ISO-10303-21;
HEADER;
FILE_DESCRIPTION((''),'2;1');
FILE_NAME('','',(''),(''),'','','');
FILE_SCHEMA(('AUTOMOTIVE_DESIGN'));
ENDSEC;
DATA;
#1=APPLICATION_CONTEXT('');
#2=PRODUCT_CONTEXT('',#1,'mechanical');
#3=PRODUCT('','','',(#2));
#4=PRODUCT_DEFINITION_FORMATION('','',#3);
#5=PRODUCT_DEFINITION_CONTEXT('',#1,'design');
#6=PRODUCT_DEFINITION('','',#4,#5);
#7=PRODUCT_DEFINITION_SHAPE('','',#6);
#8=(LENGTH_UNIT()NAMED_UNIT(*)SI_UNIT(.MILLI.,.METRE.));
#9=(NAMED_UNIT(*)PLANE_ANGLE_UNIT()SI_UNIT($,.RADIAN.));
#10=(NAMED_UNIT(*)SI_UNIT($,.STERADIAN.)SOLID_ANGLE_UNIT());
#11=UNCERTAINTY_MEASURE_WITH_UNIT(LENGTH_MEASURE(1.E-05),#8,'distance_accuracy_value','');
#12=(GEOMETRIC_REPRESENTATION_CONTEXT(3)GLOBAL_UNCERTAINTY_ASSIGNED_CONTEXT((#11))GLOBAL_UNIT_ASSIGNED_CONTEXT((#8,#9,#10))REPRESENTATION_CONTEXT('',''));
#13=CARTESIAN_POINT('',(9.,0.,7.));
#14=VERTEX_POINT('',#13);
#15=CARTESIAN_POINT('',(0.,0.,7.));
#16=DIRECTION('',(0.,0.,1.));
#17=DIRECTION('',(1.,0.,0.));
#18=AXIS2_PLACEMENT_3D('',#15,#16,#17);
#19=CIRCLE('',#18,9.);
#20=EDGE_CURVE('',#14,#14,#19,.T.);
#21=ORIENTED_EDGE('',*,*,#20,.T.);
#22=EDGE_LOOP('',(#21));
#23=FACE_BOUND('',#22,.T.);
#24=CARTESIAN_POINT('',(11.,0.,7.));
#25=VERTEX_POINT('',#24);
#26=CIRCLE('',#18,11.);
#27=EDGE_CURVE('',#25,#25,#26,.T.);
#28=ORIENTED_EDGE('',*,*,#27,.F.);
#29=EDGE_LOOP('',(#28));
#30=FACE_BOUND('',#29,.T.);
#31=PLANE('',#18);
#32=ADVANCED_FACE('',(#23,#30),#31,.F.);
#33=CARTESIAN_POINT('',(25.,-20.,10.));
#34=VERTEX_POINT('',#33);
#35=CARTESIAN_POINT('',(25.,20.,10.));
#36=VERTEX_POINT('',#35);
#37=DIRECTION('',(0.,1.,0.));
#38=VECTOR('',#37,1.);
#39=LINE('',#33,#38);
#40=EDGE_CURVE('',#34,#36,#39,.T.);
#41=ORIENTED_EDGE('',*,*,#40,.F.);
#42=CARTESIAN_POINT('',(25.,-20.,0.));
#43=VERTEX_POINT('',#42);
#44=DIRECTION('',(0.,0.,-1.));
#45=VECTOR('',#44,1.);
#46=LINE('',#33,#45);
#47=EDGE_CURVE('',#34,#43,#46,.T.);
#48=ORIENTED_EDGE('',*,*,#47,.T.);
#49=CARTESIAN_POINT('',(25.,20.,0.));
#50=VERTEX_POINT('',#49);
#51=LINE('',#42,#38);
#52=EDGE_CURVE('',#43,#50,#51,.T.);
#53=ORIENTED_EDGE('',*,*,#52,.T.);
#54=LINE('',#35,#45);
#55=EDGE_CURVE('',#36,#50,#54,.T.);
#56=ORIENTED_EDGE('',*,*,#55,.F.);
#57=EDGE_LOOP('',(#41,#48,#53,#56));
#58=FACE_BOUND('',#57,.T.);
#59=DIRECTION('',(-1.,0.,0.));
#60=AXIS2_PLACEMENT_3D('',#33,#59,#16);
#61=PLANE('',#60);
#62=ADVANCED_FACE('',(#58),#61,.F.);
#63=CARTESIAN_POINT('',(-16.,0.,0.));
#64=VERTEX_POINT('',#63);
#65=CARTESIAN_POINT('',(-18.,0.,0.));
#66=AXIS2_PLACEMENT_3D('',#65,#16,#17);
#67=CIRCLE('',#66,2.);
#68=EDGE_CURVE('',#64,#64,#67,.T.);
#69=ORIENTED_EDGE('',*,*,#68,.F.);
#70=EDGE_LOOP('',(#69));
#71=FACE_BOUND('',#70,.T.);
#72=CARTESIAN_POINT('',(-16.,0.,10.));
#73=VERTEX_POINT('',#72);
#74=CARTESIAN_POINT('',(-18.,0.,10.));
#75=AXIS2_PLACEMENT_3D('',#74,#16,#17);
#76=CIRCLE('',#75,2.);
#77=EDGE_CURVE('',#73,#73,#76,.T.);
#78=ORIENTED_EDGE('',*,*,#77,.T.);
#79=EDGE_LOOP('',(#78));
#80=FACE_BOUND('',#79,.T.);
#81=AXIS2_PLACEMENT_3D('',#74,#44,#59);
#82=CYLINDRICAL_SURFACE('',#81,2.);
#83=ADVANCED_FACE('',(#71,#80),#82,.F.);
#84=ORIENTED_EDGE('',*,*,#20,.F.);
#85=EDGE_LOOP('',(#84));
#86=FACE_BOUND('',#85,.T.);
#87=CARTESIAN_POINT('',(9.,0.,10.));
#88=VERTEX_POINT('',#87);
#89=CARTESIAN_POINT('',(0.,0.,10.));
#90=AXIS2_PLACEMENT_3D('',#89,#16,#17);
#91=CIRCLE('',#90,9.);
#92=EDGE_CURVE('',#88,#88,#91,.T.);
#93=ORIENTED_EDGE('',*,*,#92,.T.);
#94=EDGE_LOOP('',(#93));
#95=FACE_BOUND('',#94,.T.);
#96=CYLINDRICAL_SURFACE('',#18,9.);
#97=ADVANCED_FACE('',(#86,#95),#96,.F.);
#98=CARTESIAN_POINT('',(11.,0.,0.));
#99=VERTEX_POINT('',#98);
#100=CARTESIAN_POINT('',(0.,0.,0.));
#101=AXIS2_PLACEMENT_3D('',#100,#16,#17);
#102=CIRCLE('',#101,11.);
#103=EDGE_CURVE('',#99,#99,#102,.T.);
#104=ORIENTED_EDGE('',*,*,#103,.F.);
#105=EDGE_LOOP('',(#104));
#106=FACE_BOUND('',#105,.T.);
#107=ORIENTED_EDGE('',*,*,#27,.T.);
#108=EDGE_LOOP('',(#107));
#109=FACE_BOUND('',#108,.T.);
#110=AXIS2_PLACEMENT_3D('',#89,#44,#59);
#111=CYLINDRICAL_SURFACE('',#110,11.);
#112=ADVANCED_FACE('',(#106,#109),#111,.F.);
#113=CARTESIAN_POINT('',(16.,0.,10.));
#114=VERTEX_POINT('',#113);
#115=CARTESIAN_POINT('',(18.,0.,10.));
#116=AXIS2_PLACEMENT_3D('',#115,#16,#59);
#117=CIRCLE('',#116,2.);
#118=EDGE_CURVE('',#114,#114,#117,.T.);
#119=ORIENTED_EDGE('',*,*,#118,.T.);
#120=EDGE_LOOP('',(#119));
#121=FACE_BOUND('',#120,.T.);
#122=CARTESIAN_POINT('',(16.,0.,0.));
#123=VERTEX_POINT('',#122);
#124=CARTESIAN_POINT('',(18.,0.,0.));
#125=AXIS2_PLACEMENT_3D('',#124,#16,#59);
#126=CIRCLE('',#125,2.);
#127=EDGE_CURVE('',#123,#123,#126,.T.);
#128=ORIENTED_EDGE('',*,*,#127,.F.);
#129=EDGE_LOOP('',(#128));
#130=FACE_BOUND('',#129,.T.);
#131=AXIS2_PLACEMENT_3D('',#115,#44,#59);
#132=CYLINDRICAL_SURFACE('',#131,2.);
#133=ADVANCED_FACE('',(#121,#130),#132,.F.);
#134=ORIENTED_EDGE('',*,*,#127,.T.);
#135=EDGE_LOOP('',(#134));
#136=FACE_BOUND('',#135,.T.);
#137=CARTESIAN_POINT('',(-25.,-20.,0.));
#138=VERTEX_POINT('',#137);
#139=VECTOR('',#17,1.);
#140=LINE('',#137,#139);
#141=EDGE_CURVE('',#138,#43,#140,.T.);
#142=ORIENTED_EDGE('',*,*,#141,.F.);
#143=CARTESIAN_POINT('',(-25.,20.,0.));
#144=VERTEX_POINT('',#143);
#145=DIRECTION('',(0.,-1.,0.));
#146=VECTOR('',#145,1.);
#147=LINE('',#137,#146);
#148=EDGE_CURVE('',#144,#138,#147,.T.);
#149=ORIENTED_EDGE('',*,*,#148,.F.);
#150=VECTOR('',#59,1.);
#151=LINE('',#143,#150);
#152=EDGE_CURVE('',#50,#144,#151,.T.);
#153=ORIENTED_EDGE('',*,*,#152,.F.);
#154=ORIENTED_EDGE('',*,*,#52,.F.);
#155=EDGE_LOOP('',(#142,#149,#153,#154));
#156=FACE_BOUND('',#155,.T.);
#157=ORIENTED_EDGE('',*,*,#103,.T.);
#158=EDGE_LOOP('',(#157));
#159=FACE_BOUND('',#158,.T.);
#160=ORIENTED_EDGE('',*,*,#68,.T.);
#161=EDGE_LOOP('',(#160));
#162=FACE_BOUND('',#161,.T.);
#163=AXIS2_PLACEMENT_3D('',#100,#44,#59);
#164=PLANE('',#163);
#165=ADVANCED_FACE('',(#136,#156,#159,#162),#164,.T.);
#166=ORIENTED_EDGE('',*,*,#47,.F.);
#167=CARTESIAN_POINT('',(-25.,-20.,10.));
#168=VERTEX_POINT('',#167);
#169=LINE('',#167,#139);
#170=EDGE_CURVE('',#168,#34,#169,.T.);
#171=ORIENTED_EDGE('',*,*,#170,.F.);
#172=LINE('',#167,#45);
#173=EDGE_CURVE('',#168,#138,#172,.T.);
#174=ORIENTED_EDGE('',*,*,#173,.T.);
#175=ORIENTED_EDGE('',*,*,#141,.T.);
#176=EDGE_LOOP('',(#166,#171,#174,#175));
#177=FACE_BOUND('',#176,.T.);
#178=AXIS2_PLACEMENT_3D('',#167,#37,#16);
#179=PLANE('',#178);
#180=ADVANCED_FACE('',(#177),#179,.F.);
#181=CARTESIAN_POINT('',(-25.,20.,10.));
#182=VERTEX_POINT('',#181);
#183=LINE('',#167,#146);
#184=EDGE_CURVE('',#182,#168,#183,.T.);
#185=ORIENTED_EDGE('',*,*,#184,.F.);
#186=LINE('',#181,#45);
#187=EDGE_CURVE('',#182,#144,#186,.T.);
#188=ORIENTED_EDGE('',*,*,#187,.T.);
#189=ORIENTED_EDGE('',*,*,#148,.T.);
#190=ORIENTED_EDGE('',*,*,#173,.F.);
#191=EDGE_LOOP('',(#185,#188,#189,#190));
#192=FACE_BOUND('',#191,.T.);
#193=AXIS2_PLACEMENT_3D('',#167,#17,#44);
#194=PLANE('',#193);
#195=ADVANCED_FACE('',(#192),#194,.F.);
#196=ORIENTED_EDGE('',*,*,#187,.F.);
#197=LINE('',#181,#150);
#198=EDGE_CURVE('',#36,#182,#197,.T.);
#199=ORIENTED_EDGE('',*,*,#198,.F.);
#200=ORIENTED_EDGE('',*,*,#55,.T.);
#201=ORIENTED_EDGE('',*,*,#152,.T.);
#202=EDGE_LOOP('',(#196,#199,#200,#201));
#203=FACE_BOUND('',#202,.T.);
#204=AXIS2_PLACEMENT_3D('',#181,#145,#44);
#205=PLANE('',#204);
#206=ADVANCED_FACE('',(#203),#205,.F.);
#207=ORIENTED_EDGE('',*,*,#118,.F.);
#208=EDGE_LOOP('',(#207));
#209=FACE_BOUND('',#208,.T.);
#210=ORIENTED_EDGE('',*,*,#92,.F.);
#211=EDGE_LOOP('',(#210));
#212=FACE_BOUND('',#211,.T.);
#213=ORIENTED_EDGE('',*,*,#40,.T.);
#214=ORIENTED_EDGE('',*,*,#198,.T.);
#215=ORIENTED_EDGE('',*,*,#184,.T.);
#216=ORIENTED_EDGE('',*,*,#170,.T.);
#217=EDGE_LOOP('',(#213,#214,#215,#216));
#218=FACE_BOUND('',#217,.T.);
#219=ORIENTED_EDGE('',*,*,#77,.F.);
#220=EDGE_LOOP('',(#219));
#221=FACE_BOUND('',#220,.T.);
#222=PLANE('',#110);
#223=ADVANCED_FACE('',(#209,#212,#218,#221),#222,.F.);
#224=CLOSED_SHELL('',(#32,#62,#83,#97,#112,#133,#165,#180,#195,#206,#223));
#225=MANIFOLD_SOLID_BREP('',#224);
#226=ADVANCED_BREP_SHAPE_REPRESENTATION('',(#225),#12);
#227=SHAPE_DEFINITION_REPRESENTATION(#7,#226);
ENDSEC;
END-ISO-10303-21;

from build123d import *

# Parameters (mm, degrees)
SKETCH1_W           = 50
SKETCH1_H           = 40
SKETCH1_R           = 11
SKETCH1_R_2         = 2
BOSS_EXTRUDE1_DEPTH = 10
SKETCH2_R           = 11
SKETCH2_R_2         = 9
BOSS_EXTRUDE2_DEPTH = 3


with BuildPart() as part:
    # Sketch1 → Boss-Extrude1 (new body)
    with BuildSketch(Plane.XY):
        Rectangle(SKETCH1_W, SKETCH1_H)
        Circle(SKETCH1_R, mode=Mode.SUBTRACT)
        with Locations((-18, 0)):
            Circle(SKETCH1_R_2, mode=Mode.SUBTRACT)
        with Locations((18, 0)):
            Circle(SKETCH1_R_2, mode=Mode.SUBTRACT)
    extrude(amount=BOSS_EXTRUDE1_DEPTH)

    # Sketch2 → Boss-Extrude2 (add)
    with BuildSketch(Plane.XY.offset(10)):
        Circle(SKETCH2_R)
        Circle(SKETCH2_R_2, mode=Mode.SUBTRACT)
    extrude(amount=-BOSS_EXTRUDE2_DEPTH)


solid = part.part
